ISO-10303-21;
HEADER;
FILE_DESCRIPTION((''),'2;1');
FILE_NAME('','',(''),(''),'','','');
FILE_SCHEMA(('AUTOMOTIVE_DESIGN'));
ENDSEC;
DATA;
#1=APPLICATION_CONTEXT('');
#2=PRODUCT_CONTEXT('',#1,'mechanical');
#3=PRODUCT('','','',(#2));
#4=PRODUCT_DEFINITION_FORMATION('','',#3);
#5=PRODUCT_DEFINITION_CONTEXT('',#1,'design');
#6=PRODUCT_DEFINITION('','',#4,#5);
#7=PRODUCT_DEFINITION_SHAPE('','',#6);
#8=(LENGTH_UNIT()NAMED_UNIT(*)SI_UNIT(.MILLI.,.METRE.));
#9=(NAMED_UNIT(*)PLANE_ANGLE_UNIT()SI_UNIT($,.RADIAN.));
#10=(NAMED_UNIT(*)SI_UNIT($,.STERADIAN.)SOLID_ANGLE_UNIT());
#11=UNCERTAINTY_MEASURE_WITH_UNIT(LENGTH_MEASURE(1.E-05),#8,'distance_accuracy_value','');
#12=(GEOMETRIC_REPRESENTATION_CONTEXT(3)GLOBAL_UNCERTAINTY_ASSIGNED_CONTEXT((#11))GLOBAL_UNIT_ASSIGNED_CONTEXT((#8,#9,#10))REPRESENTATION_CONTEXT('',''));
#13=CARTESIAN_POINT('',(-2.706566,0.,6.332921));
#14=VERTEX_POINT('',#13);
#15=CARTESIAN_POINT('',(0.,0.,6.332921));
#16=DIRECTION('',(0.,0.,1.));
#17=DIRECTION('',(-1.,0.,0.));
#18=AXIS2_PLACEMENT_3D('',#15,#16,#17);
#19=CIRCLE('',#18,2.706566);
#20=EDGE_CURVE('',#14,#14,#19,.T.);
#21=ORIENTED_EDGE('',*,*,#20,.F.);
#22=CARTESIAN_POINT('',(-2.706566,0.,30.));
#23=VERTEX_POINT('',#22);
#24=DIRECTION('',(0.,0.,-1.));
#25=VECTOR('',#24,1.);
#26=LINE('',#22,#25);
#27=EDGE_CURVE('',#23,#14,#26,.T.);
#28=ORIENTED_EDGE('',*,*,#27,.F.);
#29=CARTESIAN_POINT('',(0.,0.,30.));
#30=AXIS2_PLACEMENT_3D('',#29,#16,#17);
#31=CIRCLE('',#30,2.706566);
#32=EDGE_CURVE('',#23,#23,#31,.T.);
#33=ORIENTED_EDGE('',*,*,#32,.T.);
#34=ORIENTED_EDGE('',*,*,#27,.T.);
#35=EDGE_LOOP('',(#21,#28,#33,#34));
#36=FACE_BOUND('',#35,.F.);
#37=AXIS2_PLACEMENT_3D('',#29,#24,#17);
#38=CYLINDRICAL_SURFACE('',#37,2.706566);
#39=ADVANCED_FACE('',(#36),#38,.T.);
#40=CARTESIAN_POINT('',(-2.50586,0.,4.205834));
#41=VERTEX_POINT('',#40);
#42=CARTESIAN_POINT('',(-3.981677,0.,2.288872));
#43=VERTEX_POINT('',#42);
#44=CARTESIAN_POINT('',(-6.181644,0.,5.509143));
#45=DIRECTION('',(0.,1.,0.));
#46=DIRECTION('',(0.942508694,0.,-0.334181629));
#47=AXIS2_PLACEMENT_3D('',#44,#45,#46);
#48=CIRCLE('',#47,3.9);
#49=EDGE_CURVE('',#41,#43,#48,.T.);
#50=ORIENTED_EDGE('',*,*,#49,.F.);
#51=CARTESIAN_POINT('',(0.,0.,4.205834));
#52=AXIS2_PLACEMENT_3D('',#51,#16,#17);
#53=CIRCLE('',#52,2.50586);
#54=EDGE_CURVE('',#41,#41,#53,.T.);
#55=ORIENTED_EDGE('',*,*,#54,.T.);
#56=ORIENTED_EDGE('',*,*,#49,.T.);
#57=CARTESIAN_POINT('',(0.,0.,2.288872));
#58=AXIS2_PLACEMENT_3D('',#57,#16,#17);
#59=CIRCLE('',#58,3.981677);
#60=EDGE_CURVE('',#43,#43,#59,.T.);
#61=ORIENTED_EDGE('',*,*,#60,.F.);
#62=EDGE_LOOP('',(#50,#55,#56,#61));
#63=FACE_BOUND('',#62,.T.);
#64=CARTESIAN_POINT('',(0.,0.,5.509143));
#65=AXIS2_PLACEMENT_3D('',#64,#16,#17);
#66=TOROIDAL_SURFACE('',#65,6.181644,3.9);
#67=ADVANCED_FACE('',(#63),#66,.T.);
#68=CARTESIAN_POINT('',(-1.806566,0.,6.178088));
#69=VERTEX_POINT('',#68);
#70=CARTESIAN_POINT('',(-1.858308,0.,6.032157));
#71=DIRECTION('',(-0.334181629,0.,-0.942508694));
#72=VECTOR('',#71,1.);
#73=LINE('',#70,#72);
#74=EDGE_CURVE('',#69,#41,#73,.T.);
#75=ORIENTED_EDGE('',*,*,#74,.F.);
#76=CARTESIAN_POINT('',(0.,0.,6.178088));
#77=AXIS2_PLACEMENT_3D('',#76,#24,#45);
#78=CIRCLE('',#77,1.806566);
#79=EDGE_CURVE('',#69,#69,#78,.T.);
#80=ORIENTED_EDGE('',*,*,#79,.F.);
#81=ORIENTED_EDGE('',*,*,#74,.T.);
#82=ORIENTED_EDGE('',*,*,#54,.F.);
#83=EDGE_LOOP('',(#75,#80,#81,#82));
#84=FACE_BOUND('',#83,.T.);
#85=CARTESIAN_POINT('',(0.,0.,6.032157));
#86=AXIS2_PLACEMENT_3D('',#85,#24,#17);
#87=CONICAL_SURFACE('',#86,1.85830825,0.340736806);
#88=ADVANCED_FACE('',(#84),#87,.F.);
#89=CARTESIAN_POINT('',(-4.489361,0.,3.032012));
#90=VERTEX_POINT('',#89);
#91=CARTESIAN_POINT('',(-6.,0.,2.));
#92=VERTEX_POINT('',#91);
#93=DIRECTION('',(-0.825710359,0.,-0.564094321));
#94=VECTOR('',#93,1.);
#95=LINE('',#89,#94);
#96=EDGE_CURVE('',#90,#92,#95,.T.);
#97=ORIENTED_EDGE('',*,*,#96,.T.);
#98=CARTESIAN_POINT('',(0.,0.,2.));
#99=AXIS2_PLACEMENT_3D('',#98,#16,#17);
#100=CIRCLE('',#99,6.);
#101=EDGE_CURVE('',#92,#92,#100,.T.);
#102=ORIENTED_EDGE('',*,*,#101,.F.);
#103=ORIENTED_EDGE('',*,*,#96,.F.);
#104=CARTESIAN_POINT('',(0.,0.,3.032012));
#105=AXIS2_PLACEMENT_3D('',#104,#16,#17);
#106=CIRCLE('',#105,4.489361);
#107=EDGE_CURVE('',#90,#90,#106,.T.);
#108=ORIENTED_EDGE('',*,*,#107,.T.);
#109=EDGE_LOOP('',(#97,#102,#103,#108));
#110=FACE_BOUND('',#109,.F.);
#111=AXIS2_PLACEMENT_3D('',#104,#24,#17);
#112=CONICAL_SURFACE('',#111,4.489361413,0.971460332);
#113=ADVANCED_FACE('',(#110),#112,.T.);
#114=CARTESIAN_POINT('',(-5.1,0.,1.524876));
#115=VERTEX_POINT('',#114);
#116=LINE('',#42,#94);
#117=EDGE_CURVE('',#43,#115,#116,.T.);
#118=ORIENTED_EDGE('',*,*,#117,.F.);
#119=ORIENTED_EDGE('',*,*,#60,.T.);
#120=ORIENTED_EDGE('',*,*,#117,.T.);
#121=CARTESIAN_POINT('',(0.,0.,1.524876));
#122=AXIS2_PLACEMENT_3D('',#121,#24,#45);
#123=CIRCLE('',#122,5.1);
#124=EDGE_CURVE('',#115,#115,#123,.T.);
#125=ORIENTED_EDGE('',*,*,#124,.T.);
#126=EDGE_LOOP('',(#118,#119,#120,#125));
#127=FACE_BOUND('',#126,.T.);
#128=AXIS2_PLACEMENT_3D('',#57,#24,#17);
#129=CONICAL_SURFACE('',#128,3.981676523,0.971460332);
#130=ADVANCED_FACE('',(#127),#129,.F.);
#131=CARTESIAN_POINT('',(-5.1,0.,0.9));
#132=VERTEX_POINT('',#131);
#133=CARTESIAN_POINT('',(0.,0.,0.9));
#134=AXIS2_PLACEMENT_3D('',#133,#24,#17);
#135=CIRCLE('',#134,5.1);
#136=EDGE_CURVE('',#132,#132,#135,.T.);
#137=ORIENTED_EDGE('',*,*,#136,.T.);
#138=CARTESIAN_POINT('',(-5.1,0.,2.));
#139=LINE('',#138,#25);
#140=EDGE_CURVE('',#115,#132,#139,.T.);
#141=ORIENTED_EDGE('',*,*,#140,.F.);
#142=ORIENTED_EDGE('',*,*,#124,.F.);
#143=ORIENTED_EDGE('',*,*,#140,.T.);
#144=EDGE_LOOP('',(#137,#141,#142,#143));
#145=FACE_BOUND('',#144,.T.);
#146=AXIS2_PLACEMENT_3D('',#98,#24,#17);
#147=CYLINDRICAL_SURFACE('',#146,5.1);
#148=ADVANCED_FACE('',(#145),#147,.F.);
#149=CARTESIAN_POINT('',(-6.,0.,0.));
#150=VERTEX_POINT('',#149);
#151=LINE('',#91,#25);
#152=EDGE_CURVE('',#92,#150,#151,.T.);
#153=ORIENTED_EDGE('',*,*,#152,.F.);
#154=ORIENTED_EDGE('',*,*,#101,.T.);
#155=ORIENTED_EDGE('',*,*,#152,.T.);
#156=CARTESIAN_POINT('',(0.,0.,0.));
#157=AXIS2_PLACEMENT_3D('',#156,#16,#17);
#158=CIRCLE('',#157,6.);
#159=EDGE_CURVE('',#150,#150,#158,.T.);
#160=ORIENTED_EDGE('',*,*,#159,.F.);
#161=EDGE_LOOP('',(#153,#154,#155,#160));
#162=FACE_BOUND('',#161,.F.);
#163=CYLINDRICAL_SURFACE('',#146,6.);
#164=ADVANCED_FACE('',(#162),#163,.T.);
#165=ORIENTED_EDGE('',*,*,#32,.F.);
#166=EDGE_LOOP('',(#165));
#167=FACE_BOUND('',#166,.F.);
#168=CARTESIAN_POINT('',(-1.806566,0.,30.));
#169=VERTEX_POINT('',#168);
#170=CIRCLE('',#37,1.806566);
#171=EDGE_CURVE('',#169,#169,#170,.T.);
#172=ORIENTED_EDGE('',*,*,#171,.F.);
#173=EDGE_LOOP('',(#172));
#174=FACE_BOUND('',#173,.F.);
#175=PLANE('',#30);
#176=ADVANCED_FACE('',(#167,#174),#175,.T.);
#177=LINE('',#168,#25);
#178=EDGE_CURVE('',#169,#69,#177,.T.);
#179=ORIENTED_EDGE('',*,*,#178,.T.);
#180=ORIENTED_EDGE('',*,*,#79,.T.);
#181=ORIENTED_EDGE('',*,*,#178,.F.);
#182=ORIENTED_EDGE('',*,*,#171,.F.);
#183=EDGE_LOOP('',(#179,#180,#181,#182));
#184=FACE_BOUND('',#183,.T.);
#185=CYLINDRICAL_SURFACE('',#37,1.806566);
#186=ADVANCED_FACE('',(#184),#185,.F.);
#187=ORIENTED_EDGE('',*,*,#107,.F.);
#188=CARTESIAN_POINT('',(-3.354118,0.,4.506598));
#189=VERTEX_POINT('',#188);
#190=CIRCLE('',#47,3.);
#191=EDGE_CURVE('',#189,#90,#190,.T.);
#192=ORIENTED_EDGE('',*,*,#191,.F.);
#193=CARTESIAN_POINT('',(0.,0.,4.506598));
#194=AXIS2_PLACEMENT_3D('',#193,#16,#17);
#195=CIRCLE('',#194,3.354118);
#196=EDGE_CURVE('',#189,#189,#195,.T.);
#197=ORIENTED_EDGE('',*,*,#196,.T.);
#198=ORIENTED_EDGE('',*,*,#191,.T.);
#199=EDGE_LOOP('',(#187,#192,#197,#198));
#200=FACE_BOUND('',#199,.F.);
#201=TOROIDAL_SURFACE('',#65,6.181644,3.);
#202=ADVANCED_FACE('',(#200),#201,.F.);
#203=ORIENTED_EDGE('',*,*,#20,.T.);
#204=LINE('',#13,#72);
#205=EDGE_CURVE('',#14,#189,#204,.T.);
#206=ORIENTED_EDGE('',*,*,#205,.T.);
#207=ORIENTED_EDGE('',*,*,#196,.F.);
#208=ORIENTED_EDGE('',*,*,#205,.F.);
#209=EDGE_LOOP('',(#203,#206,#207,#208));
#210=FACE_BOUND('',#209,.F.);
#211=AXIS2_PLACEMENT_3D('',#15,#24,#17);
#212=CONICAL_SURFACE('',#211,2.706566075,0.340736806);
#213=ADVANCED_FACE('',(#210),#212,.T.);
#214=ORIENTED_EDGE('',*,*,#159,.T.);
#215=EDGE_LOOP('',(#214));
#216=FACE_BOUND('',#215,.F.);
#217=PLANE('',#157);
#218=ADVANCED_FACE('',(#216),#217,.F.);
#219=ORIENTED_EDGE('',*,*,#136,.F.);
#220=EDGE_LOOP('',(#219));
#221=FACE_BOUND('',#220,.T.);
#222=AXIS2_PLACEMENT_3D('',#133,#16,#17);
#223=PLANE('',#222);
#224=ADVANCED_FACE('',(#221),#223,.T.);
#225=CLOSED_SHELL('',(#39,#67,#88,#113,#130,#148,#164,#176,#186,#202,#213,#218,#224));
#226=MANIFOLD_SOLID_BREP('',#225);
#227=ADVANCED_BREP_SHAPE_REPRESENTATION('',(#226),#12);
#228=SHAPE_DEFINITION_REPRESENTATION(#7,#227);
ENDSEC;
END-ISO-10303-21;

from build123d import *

# Parameters (mm, degrees)
F2_T = -0.9


with BuildPart() as f1:
    # F0 (on Front) → F1 (revolve)
    with BuildSketch(Plane.XZ):
        with BuildLine():
            Line((-6, 0), (0, 0))
            Line((0, 0), (0, 30))
            Line((0, 30), (-2.7065660749, 30))
            Line((-2.7065660749, 30), (-2.7065660749, 6.3329207692))
            Line((-2.7065660749, 6.3329207692), (-3.3541182942, 4.5065977652))
            ThreePointArc((-3.3541182942, 4.5065977652), (-3.804509639, 3.6790523714), (-4.4893614126, 3.0320115764))
            Line((-4.4893614126, 3.0320115764), (-6, 2))
            Line((-6, 2), (-6, 0))
        make_face()
    revolve(axis=Axis((0, 0, 15), (0, 0, 1)))

    # F2
    f2_openings = [f1.faces().sort_by_distance(p)[0] for p in [
        (0, 0, 30),
    ]]
    offset(amount=F2_T, openings=f2_openings, kind=Kind.INTERSECTION)


solid = f1.part
